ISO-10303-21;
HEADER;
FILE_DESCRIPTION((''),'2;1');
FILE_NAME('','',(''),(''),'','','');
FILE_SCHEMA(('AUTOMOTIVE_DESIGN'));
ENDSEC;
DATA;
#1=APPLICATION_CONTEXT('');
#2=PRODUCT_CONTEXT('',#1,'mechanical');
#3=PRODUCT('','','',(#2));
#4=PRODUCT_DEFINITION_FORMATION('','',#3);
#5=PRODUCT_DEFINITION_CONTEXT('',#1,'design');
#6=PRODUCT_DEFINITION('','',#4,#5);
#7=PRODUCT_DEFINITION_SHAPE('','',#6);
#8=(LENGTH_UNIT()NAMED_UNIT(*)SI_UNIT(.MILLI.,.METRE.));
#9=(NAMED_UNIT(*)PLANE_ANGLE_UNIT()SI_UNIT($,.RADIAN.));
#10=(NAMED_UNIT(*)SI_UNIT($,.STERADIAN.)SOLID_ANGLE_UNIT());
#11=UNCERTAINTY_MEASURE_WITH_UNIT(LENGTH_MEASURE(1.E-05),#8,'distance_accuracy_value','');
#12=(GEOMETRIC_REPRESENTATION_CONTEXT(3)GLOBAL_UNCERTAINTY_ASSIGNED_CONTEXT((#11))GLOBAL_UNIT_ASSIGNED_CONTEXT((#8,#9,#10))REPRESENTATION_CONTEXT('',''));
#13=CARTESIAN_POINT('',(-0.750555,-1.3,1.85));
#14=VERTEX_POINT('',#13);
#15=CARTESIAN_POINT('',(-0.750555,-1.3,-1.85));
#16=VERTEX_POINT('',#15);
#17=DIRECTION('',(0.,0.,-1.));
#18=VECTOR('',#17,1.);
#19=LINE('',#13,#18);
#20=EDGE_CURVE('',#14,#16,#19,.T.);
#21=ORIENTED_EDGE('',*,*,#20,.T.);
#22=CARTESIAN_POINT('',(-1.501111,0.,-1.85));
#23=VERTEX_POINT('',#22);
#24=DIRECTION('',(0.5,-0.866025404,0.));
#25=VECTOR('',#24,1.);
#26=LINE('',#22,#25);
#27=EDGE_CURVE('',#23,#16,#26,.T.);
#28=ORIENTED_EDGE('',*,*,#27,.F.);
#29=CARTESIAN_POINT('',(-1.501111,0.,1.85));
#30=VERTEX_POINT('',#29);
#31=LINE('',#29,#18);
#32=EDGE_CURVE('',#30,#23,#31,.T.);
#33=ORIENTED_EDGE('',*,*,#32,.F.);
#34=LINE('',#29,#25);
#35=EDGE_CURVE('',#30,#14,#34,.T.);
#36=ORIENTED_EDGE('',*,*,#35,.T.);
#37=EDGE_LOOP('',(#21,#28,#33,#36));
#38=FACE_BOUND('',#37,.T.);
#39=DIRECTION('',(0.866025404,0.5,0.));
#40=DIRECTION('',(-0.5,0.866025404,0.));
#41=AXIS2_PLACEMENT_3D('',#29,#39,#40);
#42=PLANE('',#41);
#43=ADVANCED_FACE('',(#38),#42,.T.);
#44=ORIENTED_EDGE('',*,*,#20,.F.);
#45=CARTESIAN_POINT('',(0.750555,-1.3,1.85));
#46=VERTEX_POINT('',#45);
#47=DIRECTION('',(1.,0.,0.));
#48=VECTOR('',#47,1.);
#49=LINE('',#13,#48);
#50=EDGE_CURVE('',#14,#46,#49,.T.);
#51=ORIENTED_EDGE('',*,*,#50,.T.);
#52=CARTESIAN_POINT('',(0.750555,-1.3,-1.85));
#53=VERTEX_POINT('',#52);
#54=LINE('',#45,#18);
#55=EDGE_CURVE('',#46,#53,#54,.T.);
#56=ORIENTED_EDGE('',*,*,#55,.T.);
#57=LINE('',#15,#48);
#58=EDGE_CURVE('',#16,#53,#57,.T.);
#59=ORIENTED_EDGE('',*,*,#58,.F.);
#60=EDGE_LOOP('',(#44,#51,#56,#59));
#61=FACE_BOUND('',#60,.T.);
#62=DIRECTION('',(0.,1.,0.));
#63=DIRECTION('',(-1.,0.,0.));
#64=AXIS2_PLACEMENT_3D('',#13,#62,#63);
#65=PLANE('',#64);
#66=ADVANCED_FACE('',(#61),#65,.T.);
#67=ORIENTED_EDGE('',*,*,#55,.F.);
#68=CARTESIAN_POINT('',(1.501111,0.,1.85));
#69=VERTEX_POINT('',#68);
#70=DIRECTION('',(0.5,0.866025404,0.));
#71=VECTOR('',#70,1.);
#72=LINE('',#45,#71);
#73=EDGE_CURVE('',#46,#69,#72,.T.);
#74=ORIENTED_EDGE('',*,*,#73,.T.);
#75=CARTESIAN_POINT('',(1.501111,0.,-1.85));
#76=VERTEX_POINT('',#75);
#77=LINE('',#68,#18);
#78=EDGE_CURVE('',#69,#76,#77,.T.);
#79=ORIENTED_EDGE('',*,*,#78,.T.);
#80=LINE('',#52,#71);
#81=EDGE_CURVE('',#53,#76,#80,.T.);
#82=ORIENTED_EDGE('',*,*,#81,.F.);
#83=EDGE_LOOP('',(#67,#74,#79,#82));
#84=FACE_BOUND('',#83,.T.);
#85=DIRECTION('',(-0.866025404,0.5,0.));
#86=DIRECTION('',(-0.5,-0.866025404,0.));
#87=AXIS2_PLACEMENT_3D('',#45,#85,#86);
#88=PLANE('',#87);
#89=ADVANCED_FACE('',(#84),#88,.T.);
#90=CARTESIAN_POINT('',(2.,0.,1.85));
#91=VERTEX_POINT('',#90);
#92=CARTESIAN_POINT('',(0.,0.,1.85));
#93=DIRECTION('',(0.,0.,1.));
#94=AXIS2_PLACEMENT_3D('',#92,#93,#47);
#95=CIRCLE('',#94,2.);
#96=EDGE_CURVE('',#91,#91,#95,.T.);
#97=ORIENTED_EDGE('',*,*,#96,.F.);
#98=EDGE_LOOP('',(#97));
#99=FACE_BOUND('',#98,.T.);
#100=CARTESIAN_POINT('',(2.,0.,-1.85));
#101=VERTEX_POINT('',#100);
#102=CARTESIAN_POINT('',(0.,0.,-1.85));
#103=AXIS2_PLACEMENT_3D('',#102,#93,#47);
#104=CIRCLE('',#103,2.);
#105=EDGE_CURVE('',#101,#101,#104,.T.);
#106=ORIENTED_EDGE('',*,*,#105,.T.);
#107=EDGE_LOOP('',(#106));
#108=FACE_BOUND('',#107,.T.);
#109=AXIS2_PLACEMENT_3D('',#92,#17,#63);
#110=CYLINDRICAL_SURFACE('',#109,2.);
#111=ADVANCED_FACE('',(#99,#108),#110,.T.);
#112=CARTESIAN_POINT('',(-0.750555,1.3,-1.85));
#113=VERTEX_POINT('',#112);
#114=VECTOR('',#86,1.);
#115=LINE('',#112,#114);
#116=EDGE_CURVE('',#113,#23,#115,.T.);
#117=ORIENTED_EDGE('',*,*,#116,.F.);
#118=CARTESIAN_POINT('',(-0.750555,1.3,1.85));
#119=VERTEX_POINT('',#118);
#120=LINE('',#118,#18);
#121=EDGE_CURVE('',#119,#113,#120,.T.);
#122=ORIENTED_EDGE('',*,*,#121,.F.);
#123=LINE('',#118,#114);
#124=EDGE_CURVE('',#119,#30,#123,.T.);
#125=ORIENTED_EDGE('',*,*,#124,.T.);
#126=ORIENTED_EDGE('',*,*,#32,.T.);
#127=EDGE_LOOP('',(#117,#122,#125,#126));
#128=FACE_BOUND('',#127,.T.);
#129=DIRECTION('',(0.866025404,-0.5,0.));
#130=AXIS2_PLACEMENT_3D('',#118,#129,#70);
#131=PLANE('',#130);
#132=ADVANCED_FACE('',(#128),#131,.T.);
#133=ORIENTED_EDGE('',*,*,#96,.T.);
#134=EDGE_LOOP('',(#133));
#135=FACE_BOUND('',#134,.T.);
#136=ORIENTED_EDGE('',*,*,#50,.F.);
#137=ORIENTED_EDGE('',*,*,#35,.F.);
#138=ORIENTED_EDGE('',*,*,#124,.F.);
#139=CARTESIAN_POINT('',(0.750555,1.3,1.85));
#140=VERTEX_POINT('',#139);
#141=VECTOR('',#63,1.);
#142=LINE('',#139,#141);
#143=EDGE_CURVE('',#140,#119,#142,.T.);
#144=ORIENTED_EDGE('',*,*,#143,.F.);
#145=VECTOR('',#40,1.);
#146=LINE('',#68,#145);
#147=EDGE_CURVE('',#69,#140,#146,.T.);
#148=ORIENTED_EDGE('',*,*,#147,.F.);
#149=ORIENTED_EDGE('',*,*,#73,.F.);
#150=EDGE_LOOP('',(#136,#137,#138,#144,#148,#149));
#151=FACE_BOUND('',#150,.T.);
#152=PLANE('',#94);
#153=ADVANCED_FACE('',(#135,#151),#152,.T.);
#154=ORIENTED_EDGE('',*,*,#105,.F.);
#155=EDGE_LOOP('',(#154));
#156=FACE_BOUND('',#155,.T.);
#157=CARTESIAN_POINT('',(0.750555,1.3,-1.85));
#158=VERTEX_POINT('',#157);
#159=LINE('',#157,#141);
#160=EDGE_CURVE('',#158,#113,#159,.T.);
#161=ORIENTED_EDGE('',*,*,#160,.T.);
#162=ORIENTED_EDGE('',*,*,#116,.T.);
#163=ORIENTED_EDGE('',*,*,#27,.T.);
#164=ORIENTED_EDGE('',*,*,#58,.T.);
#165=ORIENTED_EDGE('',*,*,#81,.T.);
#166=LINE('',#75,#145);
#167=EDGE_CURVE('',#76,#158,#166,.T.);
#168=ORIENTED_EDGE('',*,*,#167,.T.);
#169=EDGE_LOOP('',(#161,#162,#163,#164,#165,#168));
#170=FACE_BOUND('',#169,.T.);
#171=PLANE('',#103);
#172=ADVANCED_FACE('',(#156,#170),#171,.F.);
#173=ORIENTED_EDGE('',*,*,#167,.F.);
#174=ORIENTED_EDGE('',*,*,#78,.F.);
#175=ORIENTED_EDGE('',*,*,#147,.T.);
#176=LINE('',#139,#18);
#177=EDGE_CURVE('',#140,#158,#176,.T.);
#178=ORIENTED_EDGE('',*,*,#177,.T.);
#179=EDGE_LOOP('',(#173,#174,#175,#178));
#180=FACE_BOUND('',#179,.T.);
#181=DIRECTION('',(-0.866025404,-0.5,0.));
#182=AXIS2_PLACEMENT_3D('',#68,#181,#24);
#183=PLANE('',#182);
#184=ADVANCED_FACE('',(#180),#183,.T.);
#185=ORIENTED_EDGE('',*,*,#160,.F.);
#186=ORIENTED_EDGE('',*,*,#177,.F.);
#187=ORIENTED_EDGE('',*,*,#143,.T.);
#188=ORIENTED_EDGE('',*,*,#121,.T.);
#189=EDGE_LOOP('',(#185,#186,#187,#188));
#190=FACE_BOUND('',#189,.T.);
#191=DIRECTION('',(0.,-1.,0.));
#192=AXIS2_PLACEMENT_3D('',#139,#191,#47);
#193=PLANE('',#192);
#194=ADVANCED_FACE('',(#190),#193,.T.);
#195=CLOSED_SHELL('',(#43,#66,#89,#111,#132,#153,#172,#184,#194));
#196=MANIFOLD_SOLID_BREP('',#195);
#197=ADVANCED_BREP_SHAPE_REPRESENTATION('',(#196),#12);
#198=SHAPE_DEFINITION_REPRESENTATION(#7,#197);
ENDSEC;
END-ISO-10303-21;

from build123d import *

# Parameters (mm, degrees)
SKETCH1_R                       = 2
BOSS_EXTRUDE1_SHAFTSOCKET_DEPTH = 1.85


with BuildPart() as part:
    # Sketch1 → Boss-Extrude1_ShaftSocket (new, symmetric)
    with BuildSketch(Plane.XY):
        Circle(SKETCH1_R)
        Polygon((1.5011107, 0), (0.75055535, 1.3), (-0.75055535, 1.3), (-1.5011107, 0), (-0.75055535, -1.3), (0.75055535, -1.3), align=None, mode=Mode.SUBTRACT)
    extrude(amount=BOSS_EXTRUDE1_SHAFTSOCKET_DEPTH, both=True)


solid = part.part
